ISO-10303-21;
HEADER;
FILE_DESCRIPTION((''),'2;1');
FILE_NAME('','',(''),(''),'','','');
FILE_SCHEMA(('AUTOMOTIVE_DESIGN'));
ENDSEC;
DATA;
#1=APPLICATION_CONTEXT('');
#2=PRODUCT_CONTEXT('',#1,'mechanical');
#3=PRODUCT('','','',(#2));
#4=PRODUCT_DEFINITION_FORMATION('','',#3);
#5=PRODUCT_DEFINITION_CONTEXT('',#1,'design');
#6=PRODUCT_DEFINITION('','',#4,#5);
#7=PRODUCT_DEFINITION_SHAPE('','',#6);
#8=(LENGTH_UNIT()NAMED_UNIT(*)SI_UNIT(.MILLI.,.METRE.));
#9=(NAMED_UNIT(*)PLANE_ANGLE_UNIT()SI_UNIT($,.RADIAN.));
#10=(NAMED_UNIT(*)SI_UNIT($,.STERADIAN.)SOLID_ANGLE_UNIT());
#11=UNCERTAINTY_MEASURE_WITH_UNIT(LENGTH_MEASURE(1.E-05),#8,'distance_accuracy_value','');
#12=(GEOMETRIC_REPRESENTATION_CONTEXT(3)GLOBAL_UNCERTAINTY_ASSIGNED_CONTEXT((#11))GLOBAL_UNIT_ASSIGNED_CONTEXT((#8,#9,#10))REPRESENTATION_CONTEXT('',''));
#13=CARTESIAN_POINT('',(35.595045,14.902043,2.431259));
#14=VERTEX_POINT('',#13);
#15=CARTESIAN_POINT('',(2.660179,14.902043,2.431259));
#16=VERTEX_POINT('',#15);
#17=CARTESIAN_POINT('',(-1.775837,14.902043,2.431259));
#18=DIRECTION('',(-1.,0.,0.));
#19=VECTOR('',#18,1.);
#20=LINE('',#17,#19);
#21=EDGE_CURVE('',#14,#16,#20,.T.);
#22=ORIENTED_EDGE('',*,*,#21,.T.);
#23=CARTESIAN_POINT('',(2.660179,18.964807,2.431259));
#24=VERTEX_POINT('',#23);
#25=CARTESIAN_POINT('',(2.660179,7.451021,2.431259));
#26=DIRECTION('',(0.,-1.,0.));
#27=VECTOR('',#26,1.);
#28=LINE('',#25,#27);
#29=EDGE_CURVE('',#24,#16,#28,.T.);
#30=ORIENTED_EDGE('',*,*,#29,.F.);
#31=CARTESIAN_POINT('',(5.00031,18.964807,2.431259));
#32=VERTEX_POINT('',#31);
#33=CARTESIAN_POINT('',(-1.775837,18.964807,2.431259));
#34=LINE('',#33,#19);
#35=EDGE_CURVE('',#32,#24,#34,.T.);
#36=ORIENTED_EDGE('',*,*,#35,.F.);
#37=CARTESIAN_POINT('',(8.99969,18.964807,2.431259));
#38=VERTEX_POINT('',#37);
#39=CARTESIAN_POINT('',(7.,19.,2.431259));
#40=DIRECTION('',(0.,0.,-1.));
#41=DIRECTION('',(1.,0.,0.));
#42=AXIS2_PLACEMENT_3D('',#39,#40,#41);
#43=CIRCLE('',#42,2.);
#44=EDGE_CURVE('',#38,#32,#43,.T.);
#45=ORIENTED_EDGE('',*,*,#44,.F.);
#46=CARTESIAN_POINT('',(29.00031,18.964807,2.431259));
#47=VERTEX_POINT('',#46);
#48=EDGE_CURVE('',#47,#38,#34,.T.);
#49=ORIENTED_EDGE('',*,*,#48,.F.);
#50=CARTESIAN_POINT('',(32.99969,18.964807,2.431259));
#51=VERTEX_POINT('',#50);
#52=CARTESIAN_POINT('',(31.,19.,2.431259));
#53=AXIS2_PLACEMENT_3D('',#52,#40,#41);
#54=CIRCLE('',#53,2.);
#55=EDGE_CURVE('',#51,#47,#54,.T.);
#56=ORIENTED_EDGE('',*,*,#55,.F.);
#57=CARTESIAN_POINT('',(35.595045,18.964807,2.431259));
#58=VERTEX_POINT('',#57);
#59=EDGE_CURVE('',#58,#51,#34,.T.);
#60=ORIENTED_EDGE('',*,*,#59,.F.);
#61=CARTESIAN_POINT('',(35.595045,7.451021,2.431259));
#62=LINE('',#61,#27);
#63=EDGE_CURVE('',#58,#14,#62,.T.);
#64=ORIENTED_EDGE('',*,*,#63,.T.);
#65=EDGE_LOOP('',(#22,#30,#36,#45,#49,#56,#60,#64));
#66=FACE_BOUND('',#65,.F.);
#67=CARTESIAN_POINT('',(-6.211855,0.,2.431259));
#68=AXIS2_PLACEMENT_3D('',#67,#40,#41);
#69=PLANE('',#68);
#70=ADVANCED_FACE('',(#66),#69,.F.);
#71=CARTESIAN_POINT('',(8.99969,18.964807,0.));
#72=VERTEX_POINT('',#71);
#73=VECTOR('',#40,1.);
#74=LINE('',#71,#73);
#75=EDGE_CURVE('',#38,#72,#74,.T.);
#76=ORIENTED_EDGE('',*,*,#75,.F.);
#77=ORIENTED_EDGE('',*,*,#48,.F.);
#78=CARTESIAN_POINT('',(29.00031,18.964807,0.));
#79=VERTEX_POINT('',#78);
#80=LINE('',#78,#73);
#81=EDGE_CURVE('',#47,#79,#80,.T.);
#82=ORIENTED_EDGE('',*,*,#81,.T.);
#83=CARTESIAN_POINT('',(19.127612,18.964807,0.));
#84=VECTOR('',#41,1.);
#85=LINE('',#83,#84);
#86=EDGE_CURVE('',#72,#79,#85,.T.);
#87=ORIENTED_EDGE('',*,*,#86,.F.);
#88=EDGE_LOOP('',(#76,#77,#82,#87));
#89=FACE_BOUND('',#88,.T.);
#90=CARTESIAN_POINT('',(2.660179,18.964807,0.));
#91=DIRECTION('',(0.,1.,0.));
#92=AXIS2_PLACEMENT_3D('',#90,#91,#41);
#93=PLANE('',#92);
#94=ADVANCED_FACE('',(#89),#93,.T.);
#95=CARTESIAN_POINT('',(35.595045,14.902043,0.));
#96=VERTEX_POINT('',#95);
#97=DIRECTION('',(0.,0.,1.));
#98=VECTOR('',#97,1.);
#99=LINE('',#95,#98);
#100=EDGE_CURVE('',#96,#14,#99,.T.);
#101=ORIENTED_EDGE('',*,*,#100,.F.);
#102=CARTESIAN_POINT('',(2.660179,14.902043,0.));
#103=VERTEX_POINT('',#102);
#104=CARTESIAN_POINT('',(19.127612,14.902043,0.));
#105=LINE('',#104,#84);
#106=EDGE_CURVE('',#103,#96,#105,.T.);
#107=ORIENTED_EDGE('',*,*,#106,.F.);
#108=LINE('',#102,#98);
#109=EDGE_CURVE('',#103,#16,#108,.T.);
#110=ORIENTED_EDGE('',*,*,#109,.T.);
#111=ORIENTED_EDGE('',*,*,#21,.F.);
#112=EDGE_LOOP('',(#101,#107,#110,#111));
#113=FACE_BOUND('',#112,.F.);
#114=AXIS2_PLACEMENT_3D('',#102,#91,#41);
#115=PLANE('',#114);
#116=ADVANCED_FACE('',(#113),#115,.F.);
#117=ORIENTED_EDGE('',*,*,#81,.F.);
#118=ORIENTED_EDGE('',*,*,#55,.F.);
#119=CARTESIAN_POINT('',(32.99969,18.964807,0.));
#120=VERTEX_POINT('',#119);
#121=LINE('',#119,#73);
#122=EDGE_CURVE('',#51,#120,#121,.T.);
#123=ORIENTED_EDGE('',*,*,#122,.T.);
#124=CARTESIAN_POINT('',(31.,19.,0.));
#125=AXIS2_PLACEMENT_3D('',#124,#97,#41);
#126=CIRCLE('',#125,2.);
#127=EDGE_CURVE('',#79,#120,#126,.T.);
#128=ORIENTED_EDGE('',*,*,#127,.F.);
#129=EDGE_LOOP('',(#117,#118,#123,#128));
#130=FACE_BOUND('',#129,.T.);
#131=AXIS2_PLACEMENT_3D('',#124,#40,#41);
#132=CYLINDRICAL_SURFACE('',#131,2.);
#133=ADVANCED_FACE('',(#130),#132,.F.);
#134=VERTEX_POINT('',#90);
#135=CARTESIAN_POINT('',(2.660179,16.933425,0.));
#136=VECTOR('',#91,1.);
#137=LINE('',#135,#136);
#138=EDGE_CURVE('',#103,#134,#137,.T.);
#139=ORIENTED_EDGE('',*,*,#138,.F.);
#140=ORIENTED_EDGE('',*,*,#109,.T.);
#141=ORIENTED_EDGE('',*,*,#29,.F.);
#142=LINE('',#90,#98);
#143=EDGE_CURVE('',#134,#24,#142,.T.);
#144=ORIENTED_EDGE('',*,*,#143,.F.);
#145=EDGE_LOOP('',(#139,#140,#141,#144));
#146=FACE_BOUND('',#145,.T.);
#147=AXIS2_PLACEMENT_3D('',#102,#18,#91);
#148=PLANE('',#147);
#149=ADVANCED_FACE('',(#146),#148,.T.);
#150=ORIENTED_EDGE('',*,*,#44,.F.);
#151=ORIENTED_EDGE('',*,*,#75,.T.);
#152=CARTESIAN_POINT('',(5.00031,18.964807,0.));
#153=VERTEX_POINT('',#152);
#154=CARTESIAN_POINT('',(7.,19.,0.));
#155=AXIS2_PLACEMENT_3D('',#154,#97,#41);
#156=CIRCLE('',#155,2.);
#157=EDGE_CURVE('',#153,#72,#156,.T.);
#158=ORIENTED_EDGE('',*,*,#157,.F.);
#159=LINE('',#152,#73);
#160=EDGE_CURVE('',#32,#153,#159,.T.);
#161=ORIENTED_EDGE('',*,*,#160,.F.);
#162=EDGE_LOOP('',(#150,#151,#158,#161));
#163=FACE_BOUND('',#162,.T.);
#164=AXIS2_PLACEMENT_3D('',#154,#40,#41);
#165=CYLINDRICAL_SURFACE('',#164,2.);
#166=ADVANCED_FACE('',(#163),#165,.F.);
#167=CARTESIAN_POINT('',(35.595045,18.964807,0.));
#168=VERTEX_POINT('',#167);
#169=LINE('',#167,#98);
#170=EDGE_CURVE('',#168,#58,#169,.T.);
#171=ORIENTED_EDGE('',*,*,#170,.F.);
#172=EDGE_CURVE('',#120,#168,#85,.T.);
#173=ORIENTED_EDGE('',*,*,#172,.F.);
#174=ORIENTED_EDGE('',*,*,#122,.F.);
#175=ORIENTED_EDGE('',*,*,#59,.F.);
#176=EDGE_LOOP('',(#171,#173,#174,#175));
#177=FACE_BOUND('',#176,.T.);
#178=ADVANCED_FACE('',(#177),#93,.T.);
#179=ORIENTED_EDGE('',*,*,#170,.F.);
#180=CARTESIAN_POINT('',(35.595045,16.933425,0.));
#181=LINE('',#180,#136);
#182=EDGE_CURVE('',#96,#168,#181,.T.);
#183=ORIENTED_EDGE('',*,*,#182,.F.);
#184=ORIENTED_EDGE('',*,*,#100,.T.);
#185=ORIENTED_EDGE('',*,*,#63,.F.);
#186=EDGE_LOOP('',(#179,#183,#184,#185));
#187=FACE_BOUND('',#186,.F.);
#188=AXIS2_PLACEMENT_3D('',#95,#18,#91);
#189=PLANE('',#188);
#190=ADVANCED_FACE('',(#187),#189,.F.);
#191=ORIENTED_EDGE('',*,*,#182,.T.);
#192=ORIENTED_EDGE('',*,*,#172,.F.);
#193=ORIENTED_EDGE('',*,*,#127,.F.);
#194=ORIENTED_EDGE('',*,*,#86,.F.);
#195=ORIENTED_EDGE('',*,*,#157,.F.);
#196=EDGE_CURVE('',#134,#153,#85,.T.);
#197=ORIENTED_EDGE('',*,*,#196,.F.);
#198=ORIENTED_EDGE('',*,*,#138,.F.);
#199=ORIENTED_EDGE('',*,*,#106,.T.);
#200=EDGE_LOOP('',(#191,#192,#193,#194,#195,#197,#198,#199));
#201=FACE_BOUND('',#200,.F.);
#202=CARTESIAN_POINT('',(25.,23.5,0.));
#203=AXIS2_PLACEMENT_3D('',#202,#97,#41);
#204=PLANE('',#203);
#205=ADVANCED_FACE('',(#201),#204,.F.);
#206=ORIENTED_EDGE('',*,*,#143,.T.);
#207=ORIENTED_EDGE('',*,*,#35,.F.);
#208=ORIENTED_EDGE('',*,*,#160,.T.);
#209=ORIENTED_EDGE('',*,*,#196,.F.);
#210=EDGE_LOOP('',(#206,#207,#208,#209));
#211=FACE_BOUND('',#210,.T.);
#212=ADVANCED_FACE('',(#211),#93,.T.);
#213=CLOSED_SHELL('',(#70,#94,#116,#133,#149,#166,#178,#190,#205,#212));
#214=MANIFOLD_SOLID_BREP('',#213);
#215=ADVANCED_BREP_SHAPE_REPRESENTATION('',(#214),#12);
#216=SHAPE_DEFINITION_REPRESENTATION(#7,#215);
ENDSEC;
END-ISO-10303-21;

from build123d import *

# Parameters (mm, degrees)
SKETCH_R        = 2
PAD_DEPTH       = 4
SKETCH001_W     = 50
SKETCH001_H     = 3
PAD001_DEPTH    = 4
SKETCH002_R     = 2
PAD002_DEPTH    = 11
SKETCH003_W     = 57.312547
SKETCH003_H     = 35.48627
SKETCH003_W_2   = 32.934865
SKETCH003_H_2   = 4.062765
POCKET_DEPTH    = 11.001
SKETCH004_W     = 47.141797
SKETCH004_H     = 11.210097
POCKET001_DEPTH = 18.965808


with BuildPart() as part:
    # Sketch → Pad (new body)
    with BuildSketch(Plane.XY):
        with BuildLine():
            Line((10, 0), (40, 0))
            ThreePointArc((40, 0), (47.071068, 2.928932), (50, 10))
            Line((50, 10), (50, 22))
            Line((50, 22), (0, 22))
            Line((0, 22), (0, 10))
            ThreePointArc((0, 10), (2.928932, 2.928932), (10, 0))
        make_face()
        with Locations((7, 19)):
            Circle(SKETCH_R, mode=Mode.SUBTRACT)
        with Locations((31, 19)):
            Circle(SKETCH_R, mode=Mode.SUBTRACT)
    extrude(amount=PAD_DEPTH)

    # Sketch001 → Pad001 (join)
    with BuildSketch(Plane.XY):
        with Locations((25, 23.5)):
            Rectangle(SKETCH001_W, SKETCH001_H)
    extrude(amount=PAD001_DEPTH)

    # Sketch002 → Pad002 (join)
    with BuildSketch(Plane.XY):
        with BuildLine():
            Line((50, 11), (50, 22))
            Line((50, 22), (35, 22))
            ThreePointArc((35, 22), (31, 24), (27, 22))
            Line((27, 22), (11, 22))
            ThreePointArc((11, 22), (7, 24), (3, 22))
            Line((3, 22), (0, 22))
            Line((0, 22), (0, 11))
            Line((0, 11), (50, 11))
        make_face()
        with Locations((7, 19)):
            Circle(SKETCH002_R, mode=Mode.SUBTRACT)
        with Locations((31, 19)):
            Circle(SKETCH002_R, mode=Mode.SUBTRACT)
    extrude(amount=PAD002_DEPTH)

    # Sketch003 → Pocket (cut, through all)
    with BuildSketch(Plane.XY):
        with Locations((25.477233, 12.877207)):
            Rectangle(SKETCH003_W, SKETCH003_H)
        with Locations((19.127612, 16.933425)):
            Rectangle(SKETCH003_W_2, SKETCH003_H_2, mode=Mode.SUBTRACT)
    extrude(amount=POCKET_DEPTH, mode=Mode.SUBTRACT)

    # Sketch004 → Pocket001 (cut, through all)
    with BuildSketch(Plane.XZ):
        with Locations((17.359044, 8.036307)):
            Rectangle(SKETCH004_W, SKETCH004_H)
    extrude(amount=-POCKET001_DEPTH, mode=Mode.SUBTRACT)


solid = part.part
